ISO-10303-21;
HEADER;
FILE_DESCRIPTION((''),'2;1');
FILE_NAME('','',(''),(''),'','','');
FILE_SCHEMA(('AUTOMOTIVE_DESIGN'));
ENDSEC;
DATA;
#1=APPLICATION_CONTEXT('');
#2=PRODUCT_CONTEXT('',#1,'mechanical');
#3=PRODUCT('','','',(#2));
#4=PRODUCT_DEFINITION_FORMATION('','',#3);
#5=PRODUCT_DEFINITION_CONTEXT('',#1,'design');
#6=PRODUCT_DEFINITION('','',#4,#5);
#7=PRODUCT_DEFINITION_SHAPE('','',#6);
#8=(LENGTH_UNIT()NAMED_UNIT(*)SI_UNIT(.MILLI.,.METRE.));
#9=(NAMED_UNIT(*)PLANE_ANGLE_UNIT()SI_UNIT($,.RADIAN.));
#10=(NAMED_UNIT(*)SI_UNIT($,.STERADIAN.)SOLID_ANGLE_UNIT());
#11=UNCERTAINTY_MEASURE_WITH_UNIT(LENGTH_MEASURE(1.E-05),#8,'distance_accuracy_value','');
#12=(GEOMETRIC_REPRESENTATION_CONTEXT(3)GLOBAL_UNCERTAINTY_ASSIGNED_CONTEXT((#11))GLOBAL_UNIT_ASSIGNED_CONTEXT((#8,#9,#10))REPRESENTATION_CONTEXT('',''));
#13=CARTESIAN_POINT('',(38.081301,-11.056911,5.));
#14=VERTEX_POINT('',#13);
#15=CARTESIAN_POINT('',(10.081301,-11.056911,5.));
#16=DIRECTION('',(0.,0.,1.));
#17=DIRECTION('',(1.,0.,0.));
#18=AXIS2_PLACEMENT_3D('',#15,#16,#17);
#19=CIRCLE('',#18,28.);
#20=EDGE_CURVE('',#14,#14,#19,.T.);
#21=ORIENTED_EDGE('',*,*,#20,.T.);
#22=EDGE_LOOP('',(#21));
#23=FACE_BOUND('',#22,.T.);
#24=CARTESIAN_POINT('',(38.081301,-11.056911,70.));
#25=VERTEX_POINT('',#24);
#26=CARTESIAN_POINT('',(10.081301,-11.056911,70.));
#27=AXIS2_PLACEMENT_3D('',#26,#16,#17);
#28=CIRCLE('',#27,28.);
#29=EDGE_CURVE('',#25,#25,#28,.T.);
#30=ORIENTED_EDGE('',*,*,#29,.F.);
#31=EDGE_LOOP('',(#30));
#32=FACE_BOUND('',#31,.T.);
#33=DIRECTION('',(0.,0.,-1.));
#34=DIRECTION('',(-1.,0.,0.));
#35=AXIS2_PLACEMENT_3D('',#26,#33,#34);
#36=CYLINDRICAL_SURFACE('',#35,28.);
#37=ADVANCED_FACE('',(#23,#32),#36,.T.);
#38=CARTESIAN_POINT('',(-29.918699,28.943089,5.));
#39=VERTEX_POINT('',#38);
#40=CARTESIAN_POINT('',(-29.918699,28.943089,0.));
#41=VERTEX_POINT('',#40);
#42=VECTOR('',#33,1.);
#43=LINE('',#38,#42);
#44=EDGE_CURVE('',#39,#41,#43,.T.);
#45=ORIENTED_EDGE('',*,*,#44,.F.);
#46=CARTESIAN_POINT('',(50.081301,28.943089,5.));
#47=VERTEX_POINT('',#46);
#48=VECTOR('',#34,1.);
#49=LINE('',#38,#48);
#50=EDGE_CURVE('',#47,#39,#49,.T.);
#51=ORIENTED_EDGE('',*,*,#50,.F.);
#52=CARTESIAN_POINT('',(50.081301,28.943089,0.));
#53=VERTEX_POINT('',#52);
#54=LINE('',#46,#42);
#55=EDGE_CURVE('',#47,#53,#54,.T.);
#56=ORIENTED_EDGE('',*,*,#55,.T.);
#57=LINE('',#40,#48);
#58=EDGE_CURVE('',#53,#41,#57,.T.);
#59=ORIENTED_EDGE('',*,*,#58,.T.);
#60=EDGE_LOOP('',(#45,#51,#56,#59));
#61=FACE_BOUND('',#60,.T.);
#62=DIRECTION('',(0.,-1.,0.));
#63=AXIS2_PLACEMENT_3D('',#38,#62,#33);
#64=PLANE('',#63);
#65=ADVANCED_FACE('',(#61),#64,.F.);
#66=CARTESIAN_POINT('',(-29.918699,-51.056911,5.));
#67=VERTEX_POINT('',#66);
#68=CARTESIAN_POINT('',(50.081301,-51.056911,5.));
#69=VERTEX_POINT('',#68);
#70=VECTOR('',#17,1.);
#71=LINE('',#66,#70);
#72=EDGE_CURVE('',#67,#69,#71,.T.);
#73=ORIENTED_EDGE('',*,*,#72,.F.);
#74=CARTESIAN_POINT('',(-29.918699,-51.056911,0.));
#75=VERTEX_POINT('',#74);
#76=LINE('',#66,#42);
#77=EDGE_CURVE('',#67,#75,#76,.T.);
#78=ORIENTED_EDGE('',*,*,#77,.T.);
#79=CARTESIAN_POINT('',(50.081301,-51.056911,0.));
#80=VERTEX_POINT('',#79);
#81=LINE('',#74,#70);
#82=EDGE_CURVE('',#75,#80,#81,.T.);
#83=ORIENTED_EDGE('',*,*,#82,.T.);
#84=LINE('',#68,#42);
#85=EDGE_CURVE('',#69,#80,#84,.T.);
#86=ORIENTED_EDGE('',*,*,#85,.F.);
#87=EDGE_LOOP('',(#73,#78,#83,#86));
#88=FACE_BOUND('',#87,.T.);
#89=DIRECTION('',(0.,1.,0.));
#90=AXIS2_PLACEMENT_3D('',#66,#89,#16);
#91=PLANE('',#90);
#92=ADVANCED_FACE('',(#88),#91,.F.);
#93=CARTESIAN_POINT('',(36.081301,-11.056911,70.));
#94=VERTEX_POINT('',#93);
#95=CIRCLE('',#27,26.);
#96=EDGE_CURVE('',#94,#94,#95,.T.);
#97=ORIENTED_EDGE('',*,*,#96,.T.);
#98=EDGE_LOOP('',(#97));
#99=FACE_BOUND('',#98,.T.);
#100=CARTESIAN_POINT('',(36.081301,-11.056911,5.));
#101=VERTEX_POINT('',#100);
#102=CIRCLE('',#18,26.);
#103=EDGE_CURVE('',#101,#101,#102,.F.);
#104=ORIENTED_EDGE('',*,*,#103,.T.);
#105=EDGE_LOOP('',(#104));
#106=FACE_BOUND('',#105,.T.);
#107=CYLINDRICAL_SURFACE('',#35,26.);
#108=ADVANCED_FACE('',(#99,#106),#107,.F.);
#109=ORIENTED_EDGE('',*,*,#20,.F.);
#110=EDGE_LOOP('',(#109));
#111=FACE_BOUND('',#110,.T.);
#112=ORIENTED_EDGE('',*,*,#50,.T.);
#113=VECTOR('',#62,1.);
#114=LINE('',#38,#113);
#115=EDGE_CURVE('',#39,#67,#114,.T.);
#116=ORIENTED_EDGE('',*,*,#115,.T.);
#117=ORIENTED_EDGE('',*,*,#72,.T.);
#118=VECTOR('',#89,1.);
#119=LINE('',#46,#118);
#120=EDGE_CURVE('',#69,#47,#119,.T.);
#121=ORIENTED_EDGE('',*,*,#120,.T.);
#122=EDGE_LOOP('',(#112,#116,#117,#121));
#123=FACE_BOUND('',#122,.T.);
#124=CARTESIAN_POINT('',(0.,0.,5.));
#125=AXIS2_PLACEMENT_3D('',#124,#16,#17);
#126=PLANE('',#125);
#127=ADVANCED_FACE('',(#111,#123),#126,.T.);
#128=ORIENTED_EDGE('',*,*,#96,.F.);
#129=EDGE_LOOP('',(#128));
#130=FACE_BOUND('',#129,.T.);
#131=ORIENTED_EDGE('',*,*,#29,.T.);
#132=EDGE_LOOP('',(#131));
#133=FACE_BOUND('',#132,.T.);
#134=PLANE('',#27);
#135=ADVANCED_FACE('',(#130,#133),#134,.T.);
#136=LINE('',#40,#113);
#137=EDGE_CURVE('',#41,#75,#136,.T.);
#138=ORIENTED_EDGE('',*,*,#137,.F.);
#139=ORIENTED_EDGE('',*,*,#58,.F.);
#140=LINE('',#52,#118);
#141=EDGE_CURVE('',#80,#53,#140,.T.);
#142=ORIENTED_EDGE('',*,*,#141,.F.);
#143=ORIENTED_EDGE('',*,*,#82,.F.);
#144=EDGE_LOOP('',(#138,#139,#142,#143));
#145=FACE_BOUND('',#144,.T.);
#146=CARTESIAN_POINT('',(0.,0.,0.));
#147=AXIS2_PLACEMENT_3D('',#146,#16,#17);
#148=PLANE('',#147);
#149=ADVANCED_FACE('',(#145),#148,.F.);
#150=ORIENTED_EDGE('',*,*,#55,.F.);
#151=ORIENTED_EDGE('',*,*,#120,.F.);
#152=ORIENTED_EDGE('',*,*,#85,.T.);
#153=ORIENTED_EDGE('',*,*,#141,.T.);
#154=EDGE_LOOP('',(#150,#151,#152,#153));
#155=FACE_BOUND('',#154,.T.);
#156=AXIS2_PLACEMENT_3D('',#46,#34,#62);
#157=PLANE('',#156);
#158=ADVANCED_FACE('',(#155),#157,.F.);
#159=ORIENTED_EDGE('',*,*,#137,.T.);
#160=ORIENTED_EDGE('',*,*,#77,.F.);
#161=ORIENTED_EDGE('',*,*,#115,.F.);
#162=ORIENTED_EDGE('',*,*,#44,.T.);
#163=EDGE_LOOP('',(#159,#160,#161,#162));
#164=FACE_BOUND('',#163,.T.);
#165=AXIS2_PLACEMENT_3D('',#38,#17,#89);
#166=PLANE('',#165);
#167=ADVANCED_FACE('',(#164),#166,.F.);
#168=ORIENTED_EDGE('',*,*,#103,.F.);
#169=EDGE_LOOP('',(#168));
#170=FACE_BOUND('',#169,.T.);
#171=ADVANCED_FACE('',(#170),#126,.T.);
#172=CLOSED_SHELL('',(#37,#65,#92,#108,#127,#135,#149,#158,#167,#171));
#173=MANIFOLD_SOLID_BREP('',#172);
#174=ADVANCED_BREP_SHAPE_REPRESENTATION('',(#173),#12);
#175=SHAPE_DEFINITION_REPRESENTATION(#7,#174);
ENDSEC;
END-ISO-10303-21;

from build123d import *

# Parameters (mm, degrees)
SKETCH1_W           = 80
SKETCH1_H           = 80
BOSS_EXTRUDE1_DEPTH = 5
SKETCH2_R           = 28
SKETCH2_R_2         = 26
EXTRUDE_THIN1_DEPTH = 65


with BuildPart() as part:
    # Sketch1 → Boss-Extrude1 (new body)
    with BuildSketch(Plane.XY):
        with Locations((10.081300813, -11.056910569)):
            Rectangle(SKETCH1_W, SKETCH1_H)
    extrude(amount=BOSS_EXTRUDE1_DEPTH)

    # Sketch2 → Extrude-Thin1 (add)
    with BuildSketch(Plane.XY.offset(5)):
        with Locations((10.081300813, -11.056910569)):
            Circle(SKETCH2_R)
        with Locations((10.081300813, -11.056910569)):
            Circle(SKETCH2_R_2, mode=Mode.SUBTRACT)
    extrude(amount=EXTRUDE_THIN1_DEPTH)


solid = part.part
